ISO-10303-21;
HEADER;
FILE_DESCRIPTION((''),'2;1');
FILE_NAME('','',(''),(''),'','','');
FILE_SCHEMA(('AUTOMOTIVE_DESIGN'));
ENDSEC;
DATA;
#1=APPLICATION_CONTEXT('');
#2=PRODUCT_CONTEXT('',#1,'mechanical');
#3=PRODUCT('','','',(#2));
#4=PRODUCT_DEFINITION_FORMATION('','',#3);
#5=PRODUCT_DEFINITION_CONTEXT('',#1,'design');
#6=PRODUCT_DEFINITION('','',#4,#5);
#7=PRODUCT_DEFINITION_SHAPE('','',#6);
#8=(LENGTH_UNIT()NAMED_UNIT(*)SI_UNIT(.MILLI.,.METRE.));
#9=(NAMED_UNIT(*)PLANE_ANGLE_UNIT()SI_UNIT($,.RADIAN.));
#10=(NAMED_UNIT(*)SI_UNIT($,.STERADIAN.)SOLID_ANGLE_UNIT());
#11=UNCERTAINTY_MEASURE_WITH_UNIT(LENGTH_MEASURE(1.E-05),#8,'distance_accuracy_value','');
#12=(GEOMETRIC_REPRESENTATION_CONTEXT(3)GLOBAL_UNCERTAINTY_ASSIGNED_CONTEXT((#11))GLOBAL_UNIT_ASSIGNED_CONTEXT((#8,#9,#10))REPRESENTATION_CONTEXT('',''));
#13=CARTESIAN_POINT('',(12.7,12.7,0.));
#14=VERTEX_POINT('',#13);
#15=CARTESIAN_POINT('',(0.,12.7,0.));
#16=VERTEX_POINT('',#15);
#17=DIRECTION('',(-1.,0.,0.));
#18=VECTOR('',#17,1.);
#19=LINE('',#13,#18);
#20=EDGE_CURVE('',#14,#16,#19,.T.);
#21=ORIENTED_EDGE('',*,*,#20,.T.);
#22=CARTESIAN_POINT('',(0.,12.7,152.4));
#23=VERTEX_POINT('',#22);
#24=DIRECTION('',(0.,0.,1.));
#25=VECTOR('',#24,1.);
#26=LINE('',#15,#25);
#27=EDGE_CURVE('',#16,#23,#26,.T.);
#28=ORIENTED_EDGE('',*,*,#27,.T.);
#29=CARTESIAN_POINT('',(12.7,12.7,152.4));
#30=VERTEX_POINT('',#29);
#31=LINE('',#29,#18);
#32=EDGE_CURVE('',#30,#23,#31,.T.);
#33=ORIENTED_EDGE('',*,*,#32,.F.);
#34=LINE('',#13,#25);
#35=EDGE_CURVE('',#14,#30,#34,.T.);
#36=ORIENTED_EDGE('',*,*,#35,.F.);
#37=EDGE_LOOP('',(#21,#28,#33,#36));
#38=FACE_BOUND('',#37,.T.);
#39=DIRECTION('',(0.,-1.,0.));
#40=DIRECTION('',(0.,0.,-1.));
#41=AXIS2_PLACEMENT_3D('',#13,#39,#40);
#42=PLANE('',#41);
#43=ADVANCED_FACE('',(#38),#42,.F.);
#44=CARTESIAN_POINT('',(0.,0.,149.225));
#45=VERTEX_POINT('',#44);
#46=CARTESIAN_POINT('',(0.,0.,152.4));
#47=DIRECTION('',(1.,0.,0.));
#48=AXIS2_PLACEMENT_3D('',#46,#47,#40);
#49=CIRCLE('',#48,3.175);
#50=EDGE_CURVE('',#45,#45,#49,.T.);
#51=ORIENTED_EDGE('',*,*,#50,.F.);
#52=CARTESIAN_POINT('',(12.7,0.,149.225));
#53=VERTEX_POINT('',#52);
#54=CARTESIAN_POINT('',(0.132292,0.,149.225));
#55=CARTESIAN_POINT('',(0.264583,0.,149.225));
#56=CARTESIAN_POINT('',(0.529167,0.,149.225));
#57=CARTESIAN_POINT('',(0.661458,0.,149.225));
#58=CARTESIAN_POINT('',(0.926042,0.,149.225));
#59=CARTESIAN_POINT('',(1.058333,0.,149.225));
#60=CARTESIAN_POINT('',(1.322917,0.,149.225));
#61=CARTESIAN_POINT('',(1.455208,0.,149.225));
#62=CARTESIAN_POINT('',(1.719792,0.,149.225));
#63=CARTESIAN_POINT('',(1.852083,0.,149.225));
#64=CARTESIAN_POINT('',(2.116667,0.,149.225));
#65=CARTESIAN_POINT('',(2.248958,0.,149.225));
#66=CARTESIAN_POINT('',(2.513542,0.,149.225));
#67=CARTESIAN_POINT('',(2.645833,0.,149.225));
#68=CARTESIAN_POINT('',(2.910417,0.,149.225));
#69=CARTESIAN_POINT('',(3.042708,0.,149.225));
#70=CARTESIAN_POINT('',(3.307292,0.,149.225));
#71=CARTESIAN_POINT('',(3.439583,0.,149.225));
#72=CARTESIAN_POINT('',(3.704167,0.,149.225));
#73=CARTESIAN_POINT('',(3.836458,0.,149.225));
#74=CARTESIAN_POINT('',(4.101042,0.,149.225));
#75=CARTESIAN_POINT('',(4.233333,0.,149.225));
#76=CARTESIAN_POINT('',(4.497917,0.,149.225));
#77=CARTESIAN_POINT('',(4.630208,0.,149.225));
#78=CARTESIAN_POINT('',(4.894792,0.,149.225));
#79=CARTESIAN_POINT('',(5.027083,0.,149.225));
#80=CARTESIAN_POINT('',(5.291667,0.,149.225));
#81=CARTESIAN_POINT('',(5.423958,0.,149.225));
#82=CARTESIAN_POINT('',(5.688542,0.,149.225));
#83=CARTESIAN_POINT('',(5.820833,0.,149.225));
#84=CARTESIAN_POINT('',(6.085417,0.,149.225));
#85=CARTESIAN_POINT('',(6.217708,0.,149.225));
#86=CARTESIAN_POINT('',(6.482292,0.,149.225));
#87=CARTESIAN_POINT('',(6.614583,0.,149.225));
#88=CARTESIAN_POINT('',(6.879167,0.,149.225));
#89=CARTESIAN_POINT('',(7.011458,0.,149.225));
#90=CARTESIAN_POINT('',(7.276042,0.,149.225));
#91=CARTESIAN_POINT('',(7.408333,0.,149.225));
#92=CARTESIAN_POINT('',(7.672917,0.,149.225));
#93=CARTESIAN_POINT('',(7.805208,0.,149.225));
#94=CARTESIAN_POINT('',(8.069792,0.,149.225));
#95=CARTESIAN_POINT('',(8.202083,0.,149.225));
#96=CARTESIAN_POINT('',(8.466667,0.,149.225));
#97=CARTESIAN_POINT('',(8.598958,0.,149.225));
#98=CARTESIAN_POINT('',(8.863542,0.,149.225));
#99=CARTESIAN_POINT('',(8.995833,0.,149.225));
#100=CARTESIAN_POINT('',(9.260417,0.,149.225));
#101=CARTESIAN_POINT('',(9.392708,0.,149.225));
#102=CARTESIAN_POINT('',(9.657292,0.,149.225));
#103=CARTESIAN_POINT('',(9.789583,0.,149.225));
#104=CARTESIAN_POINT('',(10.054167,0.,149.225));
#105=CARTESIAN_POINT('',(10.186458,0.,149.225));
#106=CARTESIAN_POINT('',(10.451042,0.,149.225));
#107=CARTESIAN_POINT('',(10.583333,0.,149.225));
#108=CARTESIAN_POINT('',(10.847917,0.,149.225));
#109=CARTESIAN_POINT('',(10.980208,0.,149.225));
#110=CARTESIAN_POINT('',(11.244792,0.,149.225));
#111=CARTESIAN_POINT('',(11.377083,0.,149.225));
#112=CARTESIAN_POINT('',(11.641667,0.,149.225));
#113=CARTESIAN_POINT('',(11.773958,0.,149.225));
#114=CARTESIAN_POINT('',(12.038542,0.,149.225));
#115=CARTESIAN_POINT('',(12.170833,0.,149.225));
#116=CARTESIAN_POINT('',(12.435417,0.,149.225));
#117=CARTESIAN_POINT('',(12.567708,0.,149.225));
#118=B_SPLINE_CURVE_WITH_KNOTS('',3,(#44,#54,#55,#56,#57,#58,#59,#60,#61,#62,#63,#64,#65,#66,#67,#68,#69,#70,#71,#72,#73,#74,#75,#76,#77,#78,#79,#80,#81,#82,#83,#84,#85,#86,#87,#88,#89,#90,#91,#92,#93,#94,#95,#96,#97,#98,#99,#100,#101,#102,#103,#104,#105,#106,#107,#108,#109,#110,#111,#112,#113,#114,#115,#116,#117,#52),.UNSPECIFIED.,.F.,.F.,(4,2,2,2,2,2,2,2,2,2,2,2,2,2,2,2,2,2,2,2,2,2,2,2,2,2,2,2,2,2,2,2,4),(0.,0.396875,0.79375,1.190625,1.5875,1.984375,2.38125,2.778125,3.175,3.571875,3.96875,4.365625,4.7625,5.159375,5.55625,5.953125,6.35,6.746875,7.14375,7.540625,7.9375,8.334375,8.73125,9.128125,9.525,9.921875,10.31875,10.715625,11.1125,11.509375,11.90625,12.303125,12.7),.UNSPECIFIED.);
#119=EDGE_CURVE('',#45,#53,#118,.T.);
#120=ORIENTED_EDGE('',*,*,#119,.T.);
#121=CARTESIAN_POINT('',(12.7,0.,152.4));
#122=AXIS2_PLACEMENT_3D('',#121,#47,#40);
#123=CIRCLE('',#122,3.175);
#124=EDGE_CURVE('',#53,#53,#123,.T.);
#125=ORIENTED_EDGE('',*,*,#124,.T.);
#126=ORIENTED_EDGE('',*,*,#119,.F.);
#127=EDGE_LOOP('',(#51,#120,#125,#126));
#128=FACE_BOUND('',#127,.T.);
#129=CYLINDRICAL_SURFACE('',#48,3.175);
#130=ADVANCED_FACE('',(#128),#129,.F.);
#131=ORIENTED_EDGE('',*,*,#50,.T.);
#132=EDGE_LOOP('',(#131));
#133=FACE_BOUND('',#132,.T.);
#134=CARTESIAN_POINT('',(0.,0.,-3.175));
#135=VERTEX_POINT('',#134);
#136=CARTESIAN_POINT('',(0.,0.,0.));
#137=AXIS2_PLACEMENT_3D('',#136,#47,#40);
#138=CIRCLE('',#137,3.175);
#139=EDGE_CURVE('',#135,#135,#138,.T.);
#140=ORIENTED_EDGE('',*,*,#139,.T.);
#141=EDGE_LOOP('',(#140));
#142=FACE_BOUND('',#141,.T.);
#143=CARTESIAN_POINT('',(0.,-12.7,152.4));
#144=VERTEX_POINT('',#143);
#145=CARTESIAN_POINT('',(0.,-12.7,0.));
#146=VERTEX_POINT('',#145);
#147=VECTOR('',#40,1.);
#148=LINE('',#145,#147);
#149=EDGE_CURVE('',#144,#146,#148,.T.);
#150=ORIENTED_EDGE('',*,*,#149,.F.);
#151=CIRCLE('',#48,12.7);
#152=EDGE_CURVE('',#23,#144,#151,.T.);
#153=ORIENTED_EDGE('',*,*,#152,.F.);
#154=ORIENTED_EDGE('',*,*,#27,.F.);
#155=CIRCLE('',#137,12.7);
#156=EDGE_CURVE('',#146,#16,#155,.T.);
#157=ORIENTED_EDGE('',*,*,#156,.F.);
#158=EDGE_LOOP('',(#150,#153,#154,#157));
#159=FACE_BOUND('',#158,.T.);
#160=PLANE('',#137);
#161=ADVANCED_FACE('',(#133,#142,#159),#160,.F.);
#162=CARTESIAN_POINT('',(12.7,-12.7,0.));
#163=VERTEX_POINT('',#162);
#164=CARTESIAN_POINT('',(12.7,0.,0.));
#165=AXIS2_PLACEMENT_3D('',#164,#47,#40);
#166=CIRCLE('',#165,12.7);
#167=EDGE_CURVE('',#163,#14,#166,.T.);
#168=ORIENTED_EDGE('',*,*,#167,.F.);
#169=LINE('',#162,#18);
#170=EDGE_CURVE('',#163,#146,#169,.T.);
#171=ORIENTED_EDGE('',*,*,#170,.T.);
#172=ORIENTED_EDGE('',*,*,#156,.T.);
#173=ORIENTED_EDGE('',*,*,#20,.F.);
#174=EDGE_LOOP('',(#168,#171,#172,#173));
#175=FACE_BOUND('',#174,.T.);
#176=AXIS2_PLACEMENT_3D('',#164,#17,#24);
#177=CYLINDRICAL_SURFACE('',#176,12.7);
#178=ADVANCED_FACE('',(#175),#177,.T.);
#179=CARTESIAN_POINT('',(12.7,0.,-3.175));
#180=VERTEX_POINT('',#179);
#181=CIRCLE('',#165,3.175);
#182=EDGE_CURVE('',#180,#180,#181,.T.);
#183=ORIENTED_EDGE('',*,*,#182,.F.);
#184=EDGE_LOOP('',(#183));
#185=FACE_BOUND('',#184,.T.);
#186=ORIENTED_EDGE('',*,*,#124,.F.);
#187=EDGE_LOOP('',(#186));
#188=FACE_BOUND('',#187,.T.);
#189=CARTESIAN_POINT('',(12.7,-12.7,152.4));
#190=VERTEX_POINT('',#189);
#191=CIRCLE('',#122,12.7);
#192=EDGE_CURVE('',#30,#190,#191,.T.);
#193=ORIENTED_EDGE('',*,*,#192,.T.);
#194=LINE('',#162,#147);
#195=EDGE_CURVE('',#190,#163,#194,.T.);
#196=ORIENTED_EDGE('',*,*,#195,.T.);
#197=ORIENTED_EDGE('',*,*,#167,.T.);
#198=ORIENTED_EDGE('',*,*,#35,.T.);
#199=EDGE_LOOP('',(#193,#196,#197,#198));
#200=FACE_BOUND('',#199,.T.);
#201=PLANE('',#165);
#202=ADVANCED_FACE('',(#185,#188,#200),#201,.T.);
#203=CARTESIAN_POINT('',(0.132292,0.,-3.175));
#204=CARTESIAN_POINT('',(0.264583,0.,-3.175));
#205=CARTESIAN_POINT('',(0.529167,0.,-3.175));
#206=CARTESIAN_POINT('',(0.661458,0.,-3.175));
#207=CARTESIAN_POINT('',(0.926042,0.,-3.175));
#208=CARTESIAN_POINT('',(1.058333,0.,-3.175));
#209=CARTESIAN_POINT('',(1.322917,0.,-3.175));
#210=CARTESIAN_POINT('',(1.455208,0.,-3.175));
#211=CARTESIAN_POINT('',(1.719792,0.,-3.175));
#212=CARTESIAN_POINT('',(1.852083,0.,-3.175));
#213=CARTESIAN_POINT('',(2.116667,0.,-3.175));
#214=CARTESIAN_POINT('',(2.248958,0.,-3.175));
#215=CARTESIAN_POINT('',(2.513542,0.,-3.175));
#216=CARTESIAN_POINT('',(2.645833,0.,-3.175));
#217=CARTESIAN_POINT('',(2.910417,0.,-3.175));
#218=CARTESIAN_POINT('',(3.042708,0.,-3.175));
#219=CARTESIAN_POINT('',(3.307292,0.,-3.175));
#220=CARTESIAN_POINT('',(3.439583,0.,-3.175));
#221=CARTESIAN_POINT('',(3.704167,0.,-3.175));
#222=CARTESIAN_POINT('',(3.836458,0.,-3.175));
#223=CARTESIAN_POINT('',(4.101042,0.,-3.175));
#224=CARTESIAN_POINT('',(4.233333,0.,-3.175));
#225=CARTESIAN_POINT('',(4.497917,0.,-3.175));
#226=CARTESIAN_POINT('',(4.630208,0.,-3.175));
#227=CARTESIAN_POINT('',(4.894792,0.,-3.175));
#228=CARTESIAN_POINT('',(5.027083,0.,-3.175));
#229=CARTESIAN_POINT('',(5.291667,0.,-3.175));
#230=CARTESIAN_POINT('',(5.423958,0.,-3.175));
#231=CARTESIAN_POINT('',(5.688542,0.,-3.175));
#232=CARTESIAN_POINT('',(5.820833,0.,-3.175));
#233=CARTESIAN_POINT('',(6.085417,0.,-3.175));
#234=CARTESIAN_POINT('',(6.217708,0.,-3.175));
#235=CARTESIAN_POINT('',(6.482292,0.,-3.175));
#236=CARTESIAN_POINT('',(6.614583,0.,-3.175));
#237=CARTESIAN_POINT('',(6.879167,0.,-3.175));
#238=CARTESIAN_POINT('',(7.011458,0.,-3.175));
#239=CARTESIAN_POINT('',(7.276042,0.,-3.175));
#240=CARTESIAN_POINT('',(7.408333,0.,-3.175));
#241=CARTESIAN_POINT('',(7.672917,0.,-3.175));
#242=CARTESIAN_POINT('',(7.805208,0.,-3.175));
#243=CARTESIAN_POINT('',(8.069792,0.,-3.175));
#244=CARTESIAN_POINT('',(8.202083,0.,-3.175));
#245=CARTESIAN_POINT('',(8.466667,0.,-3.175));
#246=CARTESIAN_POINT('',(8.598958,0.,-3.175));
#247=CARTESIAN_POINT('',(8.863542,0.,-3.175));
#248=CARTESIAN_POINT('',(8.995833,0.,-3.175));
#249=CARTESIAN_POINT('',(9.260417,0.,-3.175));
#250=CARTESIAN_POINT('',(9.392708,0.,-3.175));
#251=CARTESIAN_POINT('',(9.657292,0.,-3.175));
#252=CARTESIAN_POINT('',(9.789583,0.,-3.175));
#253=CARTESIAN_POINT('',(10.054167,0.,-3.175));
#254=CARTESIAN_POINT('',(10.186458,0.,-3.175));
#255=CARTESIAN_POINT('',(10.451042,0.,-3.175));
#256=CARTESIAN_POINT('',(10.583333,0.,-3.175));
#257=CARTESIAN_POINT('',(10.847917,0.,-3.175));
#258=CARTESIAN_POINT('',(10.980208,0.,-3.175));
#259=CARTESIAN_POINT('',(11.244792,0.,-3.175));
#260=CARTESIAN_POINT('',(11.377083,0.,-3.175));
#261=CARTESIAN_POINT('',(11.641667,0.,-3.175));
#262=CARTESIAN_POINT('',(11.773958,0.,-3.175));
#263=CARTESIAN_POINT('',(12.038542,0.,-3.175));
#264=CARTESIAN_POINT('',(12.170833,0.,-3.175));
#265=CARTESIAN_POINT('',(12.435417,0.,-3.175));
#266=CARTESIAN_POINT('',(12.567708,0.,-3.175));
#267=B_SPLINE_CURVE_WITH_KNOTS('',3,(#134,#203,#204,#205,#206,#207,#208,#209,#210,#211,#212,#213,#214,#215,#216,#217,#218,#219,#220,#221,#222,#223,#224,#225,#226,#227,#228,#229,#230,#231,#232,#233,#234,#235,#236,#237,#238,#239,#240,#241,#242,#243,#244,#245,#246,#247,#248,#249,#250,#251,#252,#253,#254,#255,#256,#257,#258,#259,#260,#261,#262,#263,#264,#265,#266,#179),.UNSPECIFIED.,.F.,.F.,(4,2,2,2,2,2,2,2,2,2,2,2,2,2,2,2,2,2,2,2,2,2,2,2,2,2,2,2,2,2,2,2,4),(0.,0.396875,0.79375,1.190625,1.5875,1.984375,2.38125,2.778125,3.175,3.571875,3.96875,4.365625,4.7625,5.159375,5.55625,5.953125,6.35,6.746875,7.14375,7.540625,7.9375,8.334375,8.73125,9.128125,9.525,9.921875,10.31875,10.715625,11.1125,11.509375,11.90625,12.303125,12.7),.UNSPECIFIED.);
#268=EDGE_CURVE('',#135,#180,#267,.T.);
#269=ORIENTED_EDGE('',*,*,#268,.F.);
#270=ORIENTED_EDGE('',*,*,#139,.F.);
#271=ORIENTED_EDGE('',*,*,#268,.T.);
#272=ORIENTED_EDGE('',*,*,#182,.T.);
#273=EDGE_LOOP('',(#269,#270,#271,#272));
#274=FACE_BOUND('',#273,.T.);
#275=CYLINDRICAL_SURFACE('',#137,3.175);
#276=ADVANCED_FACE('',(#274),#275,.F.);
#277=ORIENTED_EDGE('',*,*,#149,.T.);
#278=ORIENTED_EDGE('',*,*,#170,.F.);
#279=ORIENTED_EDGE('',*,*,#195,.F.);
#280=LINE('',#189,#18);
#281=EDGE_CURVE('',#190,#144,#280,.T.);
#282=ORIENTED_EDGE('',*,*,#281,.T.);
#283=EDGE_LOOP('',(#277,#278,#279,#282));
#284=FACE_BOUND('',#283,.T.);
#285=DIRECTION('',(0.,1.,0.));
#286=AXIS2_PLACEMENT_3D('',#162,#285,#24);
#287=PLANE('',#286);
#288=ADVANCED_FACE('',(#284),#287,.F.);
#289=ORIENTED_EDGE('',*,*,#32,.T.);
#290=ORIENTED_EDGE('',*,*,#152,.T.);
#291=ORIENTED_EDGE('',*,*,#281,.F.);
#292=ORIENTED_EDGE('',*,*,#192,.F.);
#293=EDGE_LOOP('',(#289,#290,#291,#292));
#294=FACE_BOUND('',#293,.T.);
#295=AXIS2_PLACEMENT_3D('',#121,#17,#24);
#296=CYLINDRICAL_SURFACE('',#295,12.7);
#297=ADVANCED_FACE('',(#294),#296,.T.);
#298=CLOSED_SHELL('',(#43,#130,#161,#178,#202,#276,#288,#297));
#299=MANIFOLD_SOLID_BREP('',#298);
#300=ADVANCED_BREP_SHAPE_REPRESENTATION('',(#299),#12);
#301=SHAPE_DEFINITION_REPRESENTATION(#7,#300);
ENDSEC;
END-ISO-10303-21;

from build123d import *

# Parameters (mm, degrees)
BOSS_EXTRUDE1_DEPTH = 12.7
SKETCH2_R           = 3.175
CUT_EXTRUDE1_DEPTH  = 12.7


with BuildPart() as part:
    # Sketch1 → Boss-Extrude1 (new body)
    with BuildSketch(Plane.YZ):
        with BuildLine():
            Line((-12.7, 0), (-12.7, 152.4))
            ThreePointArc((-12.7, 152.4), (0, 165.1), (12.7, 152.4))
            Line((12.7, 152.4), (12.7, 0))
            ThreePointArc((12.7, 0), (0, -12.7), (-12.7, 0))
        make_face()
    extrude(amount=BOSS_EXTRUDE1_DEPTH)

    # Sketch2 → Cut-Extrude1 (cut)
    with BuildSketch(Plane.YZ.offset(12.7)):
        with Locations(Location((0, 0, 0), (0, 0, 270))):
            Circle(SKETCH2_R)
        with Locations(Location((0, 152.4, 0), (0, 0, 270))):
            Circle(SKETCH2_R)
    extrude(amount=-CUT_EXTRUDE1_DEPTH, mode=Mode.SUBTRACT)


solid = part.part
